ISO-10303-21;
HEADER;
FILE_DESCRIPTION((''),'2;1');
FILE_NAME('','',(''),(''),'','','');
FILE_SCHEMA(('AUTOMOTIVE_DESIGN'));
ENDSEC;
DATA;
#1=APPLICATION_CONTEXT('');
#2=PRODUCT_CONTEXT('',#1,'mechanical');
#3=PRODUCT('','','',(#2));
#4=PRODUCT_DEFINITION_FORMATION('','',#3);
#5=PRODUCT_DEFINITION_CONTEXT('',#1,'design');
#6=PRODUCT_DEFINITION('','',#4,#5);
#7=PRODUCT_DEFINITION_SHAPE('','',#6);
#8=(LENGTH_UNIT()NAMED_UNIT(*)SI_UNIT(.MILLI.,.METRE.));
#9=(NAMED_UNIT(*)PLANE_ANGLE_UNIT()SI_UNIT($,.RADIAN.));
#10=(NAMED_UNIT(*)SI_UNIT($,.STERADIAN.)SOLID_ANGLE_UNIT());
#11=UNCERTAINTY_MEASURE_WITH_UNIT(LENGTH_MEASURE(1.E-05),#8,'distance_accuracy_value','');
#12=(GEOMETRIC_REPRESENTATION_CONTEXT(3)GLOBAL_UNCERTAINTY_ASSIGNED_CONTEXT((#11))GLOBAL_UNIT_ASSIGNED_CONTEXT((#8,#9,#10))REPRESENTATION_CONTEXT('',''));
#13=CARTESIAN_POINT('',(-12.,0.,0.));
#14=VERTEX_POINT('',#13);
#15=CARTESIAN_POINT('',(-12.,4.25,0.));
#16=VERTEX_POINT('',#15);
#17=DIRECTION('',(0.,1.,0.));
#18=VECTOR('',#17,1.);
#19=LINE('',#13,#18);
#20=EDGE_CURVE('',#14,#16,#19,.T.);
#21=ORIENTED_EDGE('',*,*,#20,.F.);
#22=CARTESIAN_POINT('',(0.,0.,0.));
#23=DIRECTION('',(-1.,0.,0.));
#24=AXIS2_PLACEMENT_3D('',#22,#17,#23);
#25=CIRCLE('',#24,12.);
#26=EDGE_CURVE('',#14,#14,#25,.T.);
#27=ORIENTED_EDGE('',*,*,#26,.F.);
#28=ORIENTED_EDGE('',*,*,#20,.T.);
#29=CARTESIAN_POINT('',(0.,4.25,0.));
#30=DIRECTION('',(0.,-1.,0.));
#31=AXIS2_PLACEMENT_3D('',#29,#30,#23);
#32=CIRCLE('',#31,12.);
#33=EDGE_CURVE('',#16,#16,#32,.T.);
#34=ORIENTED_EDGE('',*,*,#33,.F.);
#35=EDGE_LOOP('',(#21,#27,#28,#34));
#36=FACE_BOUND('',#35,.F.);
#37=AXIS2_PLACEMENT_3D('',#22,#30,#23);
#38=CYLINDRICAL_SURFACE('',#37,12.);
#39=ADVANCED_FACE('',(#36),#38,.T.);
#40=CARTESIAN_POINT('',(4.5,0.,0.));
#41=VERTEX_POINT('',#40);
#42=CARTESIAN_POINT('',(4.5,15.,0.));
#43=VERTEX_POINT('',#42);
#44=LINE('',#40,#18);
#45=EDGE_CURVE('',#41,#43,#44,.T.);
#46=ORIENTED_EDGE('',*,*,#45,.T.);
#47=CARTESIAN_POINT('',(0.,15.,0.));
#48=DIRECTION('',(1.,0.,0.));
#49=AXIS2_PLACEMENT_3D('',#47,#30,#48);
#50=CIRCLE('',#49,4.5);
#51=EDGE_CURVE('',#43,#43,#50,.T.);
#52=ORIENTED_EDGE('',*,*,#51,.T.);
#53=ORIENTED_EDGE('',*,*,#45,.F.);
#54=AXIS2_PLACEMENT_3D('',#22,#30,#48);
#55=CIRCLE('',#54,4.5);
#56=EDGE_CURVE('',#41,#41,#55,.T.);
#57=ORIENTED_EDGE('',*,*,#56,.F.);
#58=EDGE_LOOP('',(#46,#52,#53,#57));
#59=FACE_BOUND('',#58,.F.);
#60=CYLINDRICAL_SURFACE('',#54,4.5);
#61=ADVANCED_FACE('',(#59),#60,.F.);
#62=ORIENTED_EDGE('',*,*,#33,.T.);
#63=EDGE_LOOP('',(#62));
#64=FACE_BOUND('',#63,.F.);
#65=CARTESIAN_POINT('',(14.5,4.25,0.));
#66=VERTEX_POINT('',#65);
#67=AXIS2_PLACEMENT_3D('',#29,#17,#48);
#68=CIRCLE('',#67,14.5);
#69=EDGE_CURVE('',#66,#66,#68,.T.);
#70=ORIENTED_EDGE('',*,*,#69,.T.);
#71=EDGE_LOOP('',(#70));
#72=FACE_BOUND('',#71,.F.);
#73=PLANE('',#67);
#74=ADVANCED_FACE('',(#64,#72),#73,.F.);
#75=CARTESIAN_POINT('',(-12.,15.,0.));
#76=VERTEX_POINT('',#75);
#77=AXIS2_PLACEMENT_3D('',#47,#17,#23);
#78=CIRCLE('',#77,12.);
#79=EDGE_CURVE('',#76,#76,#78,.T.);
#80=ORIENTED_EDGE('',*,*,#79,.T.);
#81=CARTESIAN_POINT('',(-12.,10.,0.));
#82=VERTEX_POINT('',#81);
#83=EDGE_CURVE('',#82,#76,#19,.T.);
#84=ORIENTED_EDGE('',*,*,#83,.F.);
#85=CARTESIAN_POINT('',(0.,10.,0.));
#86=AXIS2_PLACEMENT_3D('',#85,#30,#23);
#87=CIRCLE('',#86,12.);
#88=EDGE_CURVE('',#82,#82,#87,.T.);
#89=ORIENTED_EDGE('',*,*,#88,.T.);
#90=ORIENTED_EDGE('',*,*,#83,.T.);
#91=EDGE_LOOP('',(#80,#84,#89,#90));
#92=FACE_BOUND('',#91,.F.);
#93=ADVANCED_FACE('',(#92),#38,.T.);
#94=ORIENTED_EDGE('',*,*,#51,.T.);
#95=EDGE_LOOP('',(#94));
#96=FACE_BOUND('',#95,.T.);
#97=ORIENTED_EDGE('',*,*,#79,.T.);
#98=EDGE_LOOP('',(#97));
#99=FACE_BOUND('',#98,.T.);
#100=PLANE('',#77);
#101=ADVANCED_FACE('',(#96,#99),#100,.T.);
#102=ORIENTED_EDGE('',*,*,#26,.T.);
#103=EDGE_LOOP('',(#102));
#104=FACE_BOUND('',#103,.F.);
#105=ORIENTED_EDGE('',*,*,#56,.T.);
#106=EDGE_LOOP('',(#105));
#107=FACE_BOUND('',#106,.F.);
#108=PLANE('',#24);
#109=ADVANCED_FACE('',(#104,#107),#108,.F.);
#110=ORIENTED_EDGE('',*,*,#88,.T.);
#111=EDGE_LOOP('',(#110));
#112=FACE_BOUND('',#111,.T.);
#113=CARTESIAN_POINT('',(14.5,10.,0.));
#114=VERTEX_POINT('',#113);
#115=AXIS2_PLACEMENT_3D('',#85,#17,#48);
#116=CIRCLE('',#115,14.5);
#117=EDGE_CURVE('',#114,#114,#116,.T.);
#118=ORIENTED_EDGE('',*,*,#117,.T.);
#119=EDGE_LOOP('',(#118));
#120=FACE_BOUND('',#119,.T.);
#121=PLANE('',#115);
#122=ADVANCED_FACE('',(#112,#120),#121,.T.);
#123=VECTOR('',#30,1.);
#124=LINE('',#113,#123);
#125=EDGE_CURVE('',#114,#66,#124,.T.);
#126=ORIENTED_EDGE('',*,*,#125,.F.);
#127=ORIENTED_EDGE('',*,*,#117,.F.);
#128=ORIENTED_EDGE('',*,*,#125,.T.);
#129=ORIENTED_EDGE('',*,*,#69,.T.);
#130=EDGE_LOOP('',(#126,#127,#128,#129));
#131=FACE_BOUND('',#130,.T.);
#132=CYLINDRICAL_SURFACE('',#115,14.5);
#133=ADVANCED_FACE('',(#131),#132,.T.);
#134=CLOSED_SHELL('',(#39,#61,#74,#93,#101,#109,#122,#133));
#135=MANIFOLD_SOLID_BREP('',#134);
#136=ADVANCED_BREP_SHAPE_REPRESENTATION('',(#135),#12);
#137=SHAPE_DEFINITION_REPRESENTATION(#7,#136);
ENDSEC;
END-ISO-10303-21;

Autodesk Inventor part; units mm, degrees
ref_plane "YZ Plane" through (0, 0, 0) normal (1, 0, 0) x (0, 1, 0)
ref_plane "XZ Plane" through (0, 0, 0) normal (0, 1, 0) x (-1, 0, 0)
sketch "Sketch1" plane through (0, 0, 0) normal (0, 1, 0) x (-1, 0, 0)
  circle A0 centre (0, 0) radius 12
  dimension "d0" = 24
extrude "Extrusion1" add sketch "Sketch1" along normal blind 15
ref_plane "Work Plane1" through (0, 10, 0) normal (0, 1, 0) x (1, 0, 0)
sketch "Sketch3" plane through (0, 10, 0) normal (0, 1, 0) x (1, 0, 0)
  circle A0 centre (0, 0) radius 14.5
  dimension "d5" = 29
extrude "Extrusion2" add sketch "Sketch3" against normal blind 5.75
sketch "Sketch4" plane through (0, 0, 0) normal (0, -1, 0) x (1, 0, 0)
  circle A0 centre (0, 0) radius 4.5
  dimension "d8" = 9
extrude "Extrusion3" cut sketch "Sketch4" against normal up to next
properties part number "RollerWheel"
